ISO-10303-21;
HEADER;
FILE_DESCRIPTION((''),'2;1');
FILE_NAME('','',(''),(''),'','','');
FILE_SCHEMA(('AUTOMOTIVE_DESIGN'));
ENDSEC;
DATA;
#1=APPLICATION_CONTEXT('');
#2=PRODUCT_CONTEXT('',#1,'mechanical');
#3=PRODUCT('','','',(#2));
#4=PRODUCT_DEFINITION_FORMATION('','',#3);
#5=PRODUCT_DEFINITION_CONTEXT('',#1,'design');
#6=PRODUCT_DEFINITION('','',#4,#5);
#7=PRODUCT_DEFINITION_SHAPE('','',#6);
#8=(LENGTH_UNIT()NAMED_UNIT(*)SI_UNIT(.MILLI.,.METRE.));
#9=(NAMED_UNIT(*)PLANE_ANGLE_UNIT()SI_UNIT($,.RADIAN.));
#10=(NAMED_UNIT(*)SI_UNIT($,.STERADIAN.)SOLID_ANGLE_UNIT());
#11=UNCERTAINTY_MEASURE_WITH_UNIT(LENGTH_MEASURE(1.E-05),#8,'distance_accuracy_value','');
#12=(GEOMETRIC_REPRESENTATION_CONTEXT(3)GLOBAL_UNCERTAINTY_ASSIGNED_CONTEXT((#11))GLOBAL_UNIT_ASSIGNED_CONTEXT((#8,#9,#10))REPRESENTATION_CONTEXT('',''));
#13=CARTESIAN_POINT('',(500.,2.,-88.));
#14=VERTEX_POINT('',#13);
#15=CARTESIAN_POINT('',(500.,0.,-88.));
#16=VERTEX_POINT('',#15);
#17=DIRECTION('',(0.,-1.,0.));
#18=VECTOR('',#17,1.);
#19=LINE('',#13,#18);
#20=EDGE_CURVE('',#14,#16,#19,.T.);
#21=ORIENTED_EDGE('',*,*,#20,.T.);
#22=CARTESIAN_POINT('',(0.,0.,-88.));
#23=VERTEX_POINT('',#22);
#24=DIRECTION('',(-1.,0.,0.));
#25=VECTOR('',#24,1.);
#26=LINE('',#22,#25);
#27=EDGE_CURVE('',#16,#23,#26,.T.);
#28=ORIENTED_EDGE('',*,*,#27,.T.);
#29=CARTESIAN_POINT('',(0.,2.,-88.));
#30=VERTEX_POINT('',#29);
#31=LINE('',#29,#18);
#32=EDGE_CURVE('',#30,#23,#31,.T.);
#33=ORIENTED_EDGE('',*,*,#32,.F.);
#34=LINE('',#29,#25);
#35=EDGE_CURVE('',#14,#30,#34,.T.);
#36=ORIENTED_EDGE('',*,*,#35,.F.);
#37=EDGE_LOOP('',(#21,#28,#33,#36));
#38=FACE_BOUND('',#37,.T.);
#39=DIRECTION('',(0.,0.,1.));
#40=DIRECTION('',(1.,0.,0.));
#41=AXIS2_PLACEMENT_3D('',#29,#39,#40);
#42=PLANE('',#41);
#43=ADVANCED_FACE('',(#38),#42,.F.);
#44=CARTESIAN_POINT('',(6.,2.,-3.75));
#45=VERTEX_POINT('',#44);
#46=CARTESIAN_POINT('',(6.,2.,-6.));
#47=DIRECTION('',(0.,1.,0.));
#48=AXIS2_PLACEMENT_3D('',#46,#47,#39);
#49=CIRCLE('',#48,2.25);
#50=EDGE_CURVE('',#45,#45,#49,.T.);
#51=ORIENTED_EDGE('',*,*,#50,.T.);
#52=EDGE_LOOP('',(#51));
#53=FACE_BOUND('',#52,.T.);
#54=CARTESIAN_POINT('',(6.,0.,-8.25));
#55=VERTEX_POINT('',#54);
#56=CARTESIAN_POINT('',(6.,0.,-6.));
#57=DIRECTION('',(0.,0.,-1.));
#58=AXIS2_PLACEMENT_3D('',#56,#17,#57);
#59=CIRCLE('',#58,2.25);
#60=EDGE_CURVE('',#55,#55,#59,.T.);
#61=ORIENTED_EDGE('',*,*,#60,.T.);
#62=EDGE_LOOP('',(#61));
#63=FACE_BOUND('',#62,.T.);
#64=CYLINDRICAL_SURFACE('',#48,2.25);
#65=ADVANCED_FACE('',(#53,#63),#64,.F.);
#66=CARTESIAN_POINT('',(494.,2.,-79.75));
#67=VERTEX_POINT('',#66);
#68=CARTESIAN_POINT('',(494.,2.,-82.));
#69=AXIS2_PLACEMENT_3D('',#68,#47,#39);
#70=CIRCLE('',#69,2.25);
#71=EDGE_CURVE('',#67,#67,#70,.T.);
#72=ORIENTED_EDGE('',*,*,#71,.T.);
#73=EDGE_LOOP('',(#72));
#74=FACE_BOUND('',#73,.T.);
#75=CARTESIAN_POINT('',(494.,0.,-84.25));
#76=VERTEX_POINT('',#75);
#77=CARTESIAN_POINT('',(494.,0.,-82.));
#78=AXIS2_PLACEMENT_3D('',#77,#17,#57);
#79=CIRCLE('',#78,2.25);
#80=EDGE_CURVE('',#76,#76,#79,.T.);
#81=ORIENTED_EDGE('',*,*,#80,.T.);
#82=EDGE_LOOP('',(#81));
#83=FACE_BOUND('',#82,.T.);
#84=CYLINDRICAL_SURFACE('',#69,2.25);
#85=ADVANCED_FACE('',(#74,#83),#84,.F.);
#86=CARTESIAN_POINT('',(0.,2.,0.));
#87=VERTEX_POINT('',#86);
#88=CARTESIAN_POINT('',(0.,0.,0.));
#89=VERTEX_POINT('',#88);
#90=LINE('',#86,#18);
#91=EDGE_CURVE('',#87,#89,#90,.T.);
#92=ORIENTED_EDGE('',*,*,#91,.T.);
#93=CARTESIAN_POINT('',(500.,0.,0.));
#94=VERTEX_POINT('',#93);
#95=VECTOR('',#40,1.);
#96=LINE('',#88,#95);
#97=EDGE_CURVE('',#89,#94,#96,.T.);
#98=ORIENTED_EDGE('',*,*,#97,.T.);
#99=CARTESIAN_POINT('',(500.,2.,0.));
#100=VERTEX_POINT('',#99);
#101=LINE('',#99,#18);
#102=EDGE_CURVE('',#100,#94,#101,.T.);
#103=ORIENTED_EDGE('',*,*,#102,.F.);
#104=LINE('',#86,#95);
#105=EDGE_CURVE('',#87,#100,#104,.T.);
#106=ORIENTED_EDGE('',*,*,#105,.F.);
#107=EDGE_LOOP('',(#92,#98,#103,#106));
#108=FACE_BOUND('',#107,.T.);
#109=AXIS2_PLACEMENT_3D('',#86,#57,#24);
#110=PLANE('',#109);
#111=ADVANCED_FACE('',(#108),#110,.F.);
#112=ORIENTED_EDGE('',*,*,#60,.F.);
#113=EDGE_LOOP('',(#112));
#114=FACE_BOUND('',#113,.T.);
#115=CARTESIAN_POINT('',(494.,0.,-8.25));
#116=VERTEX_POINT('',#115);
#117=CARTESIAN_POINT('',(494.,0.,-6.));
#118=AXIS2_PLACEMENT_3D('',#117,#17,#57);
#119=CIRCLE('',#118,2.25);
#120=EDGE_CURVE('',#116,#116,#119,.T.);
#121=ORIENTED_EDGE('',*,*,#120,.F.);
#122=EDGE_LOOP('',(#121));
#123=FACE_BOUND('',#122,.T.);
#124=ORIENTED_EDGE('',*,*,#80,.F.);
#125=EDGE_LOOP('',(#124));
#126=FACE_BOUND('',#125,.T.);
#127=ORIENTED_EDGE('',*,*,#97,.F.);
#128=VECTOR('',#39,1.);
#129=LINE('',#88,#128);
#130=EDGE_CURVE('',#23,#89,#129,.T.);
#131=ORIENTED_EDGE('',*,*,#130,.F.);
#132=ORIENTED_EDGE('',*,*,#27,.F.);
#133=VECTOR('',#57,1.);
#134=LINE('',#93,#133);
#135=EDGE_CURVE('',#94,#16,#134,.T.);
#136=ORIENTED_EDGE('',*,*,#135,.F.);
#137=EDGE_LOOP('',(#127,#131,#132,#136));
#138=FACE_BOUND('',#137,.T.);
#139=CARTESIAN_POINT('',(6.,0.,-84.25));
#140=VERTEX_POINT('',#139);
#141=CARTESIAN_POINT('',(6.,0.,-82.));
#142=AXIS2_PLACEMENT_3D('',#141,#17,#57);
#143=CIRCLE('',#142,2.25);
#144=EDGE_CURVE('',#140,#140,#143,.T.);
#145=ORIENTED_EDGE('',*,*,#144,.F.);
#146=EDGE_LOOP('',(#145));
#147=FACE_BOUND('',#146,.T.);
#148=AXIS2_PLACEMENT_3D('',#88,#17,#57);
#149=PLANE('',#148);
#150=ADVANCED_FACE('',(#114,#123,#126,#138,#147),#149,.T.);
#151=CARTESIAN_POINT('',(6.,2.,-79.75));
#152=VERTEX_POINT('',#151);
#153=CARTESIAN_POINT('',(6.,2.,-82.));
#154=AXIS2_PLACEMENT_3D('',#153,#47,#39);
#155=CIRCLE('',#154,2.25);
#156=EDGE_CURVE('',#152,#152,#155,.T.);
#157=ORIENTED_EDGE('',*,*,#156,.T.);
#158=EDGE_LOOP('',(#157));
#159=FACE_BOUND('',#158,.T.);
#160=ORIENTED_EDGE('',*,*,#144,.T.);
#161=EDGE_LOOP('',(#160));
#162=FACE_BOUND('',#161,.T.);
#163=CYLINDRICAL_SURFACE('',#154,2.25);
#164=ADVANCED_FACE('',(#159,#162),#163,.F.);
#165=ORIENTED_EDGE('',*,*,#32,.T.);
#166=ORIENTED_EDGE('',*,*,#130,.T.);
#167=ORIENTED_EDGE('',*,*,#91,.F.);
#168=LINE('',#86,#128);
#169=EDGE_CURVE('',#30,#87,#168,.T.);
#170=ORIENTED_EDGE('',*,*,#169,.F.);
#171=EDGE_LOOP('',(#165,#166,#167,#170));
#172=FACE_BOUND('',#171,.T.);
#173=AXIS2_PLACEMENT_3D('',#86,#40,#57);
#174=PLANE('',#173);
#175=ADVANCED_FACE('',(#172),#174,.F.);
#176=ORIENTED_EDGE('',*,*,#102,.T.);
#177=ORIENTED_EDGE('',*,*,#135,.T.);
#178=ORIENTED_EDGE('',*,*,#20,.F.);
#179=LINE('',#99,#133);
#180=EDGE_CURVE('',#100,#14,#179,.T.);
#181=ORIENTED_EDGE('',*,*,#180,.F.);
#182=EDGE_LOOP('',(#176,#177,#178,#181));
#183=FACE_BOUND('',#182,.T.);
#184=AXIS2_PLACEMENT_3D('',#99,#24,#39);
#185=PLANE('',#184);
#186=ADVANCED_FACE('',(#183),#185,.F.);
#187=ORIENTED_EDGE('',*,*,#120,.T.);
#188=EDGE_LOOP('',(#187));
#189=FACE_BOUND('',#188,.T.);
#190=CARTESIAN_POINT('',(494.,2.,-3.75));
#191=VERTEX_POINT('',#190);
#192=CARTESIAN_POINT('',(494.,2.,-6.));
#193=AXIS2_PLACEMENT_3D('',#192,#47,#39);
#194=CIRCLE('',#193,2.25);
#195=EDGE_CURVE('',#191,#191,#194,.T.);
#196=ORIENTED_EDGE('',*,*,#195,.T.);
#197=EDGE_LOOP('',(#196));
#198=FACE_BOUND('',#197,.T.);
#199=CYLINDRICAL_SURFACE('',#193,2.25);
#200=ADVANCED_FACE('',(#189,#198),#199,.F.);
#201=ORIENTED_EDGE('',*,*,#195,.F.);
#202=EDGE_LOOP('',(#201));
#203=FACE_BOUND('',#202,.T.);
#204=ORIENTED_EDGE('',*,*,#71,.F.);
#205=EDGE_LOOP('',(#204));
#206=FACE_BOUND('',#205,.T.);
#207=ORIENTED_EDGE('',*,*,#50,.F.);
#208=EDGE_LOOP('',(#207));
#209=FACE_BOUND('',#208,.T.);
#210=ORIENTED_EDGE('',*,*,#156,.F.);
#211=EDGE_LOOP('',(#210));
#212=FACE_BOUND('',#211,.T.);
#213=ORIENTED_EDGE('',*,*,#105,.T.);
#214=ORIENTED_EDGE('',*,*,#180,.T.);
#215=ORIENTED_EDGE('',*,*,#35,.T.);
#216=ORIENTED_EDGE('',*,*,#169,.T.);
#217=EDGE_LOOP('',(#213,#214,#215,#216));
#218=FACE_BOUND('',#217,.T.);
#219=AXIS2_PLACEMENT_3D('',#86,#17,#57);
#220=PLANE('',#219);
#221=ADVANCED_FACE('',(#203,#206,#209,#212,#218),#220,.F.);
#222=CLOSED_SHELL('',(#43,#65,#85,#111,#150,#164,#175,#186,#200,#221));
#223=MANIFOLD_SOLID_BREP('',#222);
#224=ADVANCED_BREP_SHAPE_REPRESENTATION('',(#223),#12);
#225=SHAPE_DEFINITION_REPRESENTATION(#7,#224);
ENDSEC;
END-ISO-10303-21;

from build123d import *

# Parameters (mm, degrees)
SKETCH1_W                = 500
SKETCH1_H                = 88
BOSS_EXTRUDE1_DEPTH      = 2
M4_CLEARANCE_HOLE1_D     = 4.5
M4_CLEARANCE_HOLE1_DEPTH = 2


with BuildPart() as part:
    # Sketch1 → Boss-Extrude1 (new body)
    with BuildSketch(Plane(origin=(0, 0, 0), x_dir=(1, 0, 0), z_dir=(0, 1, 0))):
        with Locations((250, 44)):
            Rectangle(SKETCH1_W, SKETCH1_H)
    extrude(amount=BOSS_EXTRUDE1_DEPTH)

    # M4 Clearance Hole1
    with Locations(Plane(origin=(0, 2, 0), x_dir=(1, 0, 0), z_dir=(0, 1, 0))):
        with Locations((6, 82), (6, 6), (494, 6), (494, 82)):
            Hole(M4_CLEARANCE_HOLE1_D / 2, depth=M4_CLEARANCE_HOLE1_DEPTH)


solid = part.part
